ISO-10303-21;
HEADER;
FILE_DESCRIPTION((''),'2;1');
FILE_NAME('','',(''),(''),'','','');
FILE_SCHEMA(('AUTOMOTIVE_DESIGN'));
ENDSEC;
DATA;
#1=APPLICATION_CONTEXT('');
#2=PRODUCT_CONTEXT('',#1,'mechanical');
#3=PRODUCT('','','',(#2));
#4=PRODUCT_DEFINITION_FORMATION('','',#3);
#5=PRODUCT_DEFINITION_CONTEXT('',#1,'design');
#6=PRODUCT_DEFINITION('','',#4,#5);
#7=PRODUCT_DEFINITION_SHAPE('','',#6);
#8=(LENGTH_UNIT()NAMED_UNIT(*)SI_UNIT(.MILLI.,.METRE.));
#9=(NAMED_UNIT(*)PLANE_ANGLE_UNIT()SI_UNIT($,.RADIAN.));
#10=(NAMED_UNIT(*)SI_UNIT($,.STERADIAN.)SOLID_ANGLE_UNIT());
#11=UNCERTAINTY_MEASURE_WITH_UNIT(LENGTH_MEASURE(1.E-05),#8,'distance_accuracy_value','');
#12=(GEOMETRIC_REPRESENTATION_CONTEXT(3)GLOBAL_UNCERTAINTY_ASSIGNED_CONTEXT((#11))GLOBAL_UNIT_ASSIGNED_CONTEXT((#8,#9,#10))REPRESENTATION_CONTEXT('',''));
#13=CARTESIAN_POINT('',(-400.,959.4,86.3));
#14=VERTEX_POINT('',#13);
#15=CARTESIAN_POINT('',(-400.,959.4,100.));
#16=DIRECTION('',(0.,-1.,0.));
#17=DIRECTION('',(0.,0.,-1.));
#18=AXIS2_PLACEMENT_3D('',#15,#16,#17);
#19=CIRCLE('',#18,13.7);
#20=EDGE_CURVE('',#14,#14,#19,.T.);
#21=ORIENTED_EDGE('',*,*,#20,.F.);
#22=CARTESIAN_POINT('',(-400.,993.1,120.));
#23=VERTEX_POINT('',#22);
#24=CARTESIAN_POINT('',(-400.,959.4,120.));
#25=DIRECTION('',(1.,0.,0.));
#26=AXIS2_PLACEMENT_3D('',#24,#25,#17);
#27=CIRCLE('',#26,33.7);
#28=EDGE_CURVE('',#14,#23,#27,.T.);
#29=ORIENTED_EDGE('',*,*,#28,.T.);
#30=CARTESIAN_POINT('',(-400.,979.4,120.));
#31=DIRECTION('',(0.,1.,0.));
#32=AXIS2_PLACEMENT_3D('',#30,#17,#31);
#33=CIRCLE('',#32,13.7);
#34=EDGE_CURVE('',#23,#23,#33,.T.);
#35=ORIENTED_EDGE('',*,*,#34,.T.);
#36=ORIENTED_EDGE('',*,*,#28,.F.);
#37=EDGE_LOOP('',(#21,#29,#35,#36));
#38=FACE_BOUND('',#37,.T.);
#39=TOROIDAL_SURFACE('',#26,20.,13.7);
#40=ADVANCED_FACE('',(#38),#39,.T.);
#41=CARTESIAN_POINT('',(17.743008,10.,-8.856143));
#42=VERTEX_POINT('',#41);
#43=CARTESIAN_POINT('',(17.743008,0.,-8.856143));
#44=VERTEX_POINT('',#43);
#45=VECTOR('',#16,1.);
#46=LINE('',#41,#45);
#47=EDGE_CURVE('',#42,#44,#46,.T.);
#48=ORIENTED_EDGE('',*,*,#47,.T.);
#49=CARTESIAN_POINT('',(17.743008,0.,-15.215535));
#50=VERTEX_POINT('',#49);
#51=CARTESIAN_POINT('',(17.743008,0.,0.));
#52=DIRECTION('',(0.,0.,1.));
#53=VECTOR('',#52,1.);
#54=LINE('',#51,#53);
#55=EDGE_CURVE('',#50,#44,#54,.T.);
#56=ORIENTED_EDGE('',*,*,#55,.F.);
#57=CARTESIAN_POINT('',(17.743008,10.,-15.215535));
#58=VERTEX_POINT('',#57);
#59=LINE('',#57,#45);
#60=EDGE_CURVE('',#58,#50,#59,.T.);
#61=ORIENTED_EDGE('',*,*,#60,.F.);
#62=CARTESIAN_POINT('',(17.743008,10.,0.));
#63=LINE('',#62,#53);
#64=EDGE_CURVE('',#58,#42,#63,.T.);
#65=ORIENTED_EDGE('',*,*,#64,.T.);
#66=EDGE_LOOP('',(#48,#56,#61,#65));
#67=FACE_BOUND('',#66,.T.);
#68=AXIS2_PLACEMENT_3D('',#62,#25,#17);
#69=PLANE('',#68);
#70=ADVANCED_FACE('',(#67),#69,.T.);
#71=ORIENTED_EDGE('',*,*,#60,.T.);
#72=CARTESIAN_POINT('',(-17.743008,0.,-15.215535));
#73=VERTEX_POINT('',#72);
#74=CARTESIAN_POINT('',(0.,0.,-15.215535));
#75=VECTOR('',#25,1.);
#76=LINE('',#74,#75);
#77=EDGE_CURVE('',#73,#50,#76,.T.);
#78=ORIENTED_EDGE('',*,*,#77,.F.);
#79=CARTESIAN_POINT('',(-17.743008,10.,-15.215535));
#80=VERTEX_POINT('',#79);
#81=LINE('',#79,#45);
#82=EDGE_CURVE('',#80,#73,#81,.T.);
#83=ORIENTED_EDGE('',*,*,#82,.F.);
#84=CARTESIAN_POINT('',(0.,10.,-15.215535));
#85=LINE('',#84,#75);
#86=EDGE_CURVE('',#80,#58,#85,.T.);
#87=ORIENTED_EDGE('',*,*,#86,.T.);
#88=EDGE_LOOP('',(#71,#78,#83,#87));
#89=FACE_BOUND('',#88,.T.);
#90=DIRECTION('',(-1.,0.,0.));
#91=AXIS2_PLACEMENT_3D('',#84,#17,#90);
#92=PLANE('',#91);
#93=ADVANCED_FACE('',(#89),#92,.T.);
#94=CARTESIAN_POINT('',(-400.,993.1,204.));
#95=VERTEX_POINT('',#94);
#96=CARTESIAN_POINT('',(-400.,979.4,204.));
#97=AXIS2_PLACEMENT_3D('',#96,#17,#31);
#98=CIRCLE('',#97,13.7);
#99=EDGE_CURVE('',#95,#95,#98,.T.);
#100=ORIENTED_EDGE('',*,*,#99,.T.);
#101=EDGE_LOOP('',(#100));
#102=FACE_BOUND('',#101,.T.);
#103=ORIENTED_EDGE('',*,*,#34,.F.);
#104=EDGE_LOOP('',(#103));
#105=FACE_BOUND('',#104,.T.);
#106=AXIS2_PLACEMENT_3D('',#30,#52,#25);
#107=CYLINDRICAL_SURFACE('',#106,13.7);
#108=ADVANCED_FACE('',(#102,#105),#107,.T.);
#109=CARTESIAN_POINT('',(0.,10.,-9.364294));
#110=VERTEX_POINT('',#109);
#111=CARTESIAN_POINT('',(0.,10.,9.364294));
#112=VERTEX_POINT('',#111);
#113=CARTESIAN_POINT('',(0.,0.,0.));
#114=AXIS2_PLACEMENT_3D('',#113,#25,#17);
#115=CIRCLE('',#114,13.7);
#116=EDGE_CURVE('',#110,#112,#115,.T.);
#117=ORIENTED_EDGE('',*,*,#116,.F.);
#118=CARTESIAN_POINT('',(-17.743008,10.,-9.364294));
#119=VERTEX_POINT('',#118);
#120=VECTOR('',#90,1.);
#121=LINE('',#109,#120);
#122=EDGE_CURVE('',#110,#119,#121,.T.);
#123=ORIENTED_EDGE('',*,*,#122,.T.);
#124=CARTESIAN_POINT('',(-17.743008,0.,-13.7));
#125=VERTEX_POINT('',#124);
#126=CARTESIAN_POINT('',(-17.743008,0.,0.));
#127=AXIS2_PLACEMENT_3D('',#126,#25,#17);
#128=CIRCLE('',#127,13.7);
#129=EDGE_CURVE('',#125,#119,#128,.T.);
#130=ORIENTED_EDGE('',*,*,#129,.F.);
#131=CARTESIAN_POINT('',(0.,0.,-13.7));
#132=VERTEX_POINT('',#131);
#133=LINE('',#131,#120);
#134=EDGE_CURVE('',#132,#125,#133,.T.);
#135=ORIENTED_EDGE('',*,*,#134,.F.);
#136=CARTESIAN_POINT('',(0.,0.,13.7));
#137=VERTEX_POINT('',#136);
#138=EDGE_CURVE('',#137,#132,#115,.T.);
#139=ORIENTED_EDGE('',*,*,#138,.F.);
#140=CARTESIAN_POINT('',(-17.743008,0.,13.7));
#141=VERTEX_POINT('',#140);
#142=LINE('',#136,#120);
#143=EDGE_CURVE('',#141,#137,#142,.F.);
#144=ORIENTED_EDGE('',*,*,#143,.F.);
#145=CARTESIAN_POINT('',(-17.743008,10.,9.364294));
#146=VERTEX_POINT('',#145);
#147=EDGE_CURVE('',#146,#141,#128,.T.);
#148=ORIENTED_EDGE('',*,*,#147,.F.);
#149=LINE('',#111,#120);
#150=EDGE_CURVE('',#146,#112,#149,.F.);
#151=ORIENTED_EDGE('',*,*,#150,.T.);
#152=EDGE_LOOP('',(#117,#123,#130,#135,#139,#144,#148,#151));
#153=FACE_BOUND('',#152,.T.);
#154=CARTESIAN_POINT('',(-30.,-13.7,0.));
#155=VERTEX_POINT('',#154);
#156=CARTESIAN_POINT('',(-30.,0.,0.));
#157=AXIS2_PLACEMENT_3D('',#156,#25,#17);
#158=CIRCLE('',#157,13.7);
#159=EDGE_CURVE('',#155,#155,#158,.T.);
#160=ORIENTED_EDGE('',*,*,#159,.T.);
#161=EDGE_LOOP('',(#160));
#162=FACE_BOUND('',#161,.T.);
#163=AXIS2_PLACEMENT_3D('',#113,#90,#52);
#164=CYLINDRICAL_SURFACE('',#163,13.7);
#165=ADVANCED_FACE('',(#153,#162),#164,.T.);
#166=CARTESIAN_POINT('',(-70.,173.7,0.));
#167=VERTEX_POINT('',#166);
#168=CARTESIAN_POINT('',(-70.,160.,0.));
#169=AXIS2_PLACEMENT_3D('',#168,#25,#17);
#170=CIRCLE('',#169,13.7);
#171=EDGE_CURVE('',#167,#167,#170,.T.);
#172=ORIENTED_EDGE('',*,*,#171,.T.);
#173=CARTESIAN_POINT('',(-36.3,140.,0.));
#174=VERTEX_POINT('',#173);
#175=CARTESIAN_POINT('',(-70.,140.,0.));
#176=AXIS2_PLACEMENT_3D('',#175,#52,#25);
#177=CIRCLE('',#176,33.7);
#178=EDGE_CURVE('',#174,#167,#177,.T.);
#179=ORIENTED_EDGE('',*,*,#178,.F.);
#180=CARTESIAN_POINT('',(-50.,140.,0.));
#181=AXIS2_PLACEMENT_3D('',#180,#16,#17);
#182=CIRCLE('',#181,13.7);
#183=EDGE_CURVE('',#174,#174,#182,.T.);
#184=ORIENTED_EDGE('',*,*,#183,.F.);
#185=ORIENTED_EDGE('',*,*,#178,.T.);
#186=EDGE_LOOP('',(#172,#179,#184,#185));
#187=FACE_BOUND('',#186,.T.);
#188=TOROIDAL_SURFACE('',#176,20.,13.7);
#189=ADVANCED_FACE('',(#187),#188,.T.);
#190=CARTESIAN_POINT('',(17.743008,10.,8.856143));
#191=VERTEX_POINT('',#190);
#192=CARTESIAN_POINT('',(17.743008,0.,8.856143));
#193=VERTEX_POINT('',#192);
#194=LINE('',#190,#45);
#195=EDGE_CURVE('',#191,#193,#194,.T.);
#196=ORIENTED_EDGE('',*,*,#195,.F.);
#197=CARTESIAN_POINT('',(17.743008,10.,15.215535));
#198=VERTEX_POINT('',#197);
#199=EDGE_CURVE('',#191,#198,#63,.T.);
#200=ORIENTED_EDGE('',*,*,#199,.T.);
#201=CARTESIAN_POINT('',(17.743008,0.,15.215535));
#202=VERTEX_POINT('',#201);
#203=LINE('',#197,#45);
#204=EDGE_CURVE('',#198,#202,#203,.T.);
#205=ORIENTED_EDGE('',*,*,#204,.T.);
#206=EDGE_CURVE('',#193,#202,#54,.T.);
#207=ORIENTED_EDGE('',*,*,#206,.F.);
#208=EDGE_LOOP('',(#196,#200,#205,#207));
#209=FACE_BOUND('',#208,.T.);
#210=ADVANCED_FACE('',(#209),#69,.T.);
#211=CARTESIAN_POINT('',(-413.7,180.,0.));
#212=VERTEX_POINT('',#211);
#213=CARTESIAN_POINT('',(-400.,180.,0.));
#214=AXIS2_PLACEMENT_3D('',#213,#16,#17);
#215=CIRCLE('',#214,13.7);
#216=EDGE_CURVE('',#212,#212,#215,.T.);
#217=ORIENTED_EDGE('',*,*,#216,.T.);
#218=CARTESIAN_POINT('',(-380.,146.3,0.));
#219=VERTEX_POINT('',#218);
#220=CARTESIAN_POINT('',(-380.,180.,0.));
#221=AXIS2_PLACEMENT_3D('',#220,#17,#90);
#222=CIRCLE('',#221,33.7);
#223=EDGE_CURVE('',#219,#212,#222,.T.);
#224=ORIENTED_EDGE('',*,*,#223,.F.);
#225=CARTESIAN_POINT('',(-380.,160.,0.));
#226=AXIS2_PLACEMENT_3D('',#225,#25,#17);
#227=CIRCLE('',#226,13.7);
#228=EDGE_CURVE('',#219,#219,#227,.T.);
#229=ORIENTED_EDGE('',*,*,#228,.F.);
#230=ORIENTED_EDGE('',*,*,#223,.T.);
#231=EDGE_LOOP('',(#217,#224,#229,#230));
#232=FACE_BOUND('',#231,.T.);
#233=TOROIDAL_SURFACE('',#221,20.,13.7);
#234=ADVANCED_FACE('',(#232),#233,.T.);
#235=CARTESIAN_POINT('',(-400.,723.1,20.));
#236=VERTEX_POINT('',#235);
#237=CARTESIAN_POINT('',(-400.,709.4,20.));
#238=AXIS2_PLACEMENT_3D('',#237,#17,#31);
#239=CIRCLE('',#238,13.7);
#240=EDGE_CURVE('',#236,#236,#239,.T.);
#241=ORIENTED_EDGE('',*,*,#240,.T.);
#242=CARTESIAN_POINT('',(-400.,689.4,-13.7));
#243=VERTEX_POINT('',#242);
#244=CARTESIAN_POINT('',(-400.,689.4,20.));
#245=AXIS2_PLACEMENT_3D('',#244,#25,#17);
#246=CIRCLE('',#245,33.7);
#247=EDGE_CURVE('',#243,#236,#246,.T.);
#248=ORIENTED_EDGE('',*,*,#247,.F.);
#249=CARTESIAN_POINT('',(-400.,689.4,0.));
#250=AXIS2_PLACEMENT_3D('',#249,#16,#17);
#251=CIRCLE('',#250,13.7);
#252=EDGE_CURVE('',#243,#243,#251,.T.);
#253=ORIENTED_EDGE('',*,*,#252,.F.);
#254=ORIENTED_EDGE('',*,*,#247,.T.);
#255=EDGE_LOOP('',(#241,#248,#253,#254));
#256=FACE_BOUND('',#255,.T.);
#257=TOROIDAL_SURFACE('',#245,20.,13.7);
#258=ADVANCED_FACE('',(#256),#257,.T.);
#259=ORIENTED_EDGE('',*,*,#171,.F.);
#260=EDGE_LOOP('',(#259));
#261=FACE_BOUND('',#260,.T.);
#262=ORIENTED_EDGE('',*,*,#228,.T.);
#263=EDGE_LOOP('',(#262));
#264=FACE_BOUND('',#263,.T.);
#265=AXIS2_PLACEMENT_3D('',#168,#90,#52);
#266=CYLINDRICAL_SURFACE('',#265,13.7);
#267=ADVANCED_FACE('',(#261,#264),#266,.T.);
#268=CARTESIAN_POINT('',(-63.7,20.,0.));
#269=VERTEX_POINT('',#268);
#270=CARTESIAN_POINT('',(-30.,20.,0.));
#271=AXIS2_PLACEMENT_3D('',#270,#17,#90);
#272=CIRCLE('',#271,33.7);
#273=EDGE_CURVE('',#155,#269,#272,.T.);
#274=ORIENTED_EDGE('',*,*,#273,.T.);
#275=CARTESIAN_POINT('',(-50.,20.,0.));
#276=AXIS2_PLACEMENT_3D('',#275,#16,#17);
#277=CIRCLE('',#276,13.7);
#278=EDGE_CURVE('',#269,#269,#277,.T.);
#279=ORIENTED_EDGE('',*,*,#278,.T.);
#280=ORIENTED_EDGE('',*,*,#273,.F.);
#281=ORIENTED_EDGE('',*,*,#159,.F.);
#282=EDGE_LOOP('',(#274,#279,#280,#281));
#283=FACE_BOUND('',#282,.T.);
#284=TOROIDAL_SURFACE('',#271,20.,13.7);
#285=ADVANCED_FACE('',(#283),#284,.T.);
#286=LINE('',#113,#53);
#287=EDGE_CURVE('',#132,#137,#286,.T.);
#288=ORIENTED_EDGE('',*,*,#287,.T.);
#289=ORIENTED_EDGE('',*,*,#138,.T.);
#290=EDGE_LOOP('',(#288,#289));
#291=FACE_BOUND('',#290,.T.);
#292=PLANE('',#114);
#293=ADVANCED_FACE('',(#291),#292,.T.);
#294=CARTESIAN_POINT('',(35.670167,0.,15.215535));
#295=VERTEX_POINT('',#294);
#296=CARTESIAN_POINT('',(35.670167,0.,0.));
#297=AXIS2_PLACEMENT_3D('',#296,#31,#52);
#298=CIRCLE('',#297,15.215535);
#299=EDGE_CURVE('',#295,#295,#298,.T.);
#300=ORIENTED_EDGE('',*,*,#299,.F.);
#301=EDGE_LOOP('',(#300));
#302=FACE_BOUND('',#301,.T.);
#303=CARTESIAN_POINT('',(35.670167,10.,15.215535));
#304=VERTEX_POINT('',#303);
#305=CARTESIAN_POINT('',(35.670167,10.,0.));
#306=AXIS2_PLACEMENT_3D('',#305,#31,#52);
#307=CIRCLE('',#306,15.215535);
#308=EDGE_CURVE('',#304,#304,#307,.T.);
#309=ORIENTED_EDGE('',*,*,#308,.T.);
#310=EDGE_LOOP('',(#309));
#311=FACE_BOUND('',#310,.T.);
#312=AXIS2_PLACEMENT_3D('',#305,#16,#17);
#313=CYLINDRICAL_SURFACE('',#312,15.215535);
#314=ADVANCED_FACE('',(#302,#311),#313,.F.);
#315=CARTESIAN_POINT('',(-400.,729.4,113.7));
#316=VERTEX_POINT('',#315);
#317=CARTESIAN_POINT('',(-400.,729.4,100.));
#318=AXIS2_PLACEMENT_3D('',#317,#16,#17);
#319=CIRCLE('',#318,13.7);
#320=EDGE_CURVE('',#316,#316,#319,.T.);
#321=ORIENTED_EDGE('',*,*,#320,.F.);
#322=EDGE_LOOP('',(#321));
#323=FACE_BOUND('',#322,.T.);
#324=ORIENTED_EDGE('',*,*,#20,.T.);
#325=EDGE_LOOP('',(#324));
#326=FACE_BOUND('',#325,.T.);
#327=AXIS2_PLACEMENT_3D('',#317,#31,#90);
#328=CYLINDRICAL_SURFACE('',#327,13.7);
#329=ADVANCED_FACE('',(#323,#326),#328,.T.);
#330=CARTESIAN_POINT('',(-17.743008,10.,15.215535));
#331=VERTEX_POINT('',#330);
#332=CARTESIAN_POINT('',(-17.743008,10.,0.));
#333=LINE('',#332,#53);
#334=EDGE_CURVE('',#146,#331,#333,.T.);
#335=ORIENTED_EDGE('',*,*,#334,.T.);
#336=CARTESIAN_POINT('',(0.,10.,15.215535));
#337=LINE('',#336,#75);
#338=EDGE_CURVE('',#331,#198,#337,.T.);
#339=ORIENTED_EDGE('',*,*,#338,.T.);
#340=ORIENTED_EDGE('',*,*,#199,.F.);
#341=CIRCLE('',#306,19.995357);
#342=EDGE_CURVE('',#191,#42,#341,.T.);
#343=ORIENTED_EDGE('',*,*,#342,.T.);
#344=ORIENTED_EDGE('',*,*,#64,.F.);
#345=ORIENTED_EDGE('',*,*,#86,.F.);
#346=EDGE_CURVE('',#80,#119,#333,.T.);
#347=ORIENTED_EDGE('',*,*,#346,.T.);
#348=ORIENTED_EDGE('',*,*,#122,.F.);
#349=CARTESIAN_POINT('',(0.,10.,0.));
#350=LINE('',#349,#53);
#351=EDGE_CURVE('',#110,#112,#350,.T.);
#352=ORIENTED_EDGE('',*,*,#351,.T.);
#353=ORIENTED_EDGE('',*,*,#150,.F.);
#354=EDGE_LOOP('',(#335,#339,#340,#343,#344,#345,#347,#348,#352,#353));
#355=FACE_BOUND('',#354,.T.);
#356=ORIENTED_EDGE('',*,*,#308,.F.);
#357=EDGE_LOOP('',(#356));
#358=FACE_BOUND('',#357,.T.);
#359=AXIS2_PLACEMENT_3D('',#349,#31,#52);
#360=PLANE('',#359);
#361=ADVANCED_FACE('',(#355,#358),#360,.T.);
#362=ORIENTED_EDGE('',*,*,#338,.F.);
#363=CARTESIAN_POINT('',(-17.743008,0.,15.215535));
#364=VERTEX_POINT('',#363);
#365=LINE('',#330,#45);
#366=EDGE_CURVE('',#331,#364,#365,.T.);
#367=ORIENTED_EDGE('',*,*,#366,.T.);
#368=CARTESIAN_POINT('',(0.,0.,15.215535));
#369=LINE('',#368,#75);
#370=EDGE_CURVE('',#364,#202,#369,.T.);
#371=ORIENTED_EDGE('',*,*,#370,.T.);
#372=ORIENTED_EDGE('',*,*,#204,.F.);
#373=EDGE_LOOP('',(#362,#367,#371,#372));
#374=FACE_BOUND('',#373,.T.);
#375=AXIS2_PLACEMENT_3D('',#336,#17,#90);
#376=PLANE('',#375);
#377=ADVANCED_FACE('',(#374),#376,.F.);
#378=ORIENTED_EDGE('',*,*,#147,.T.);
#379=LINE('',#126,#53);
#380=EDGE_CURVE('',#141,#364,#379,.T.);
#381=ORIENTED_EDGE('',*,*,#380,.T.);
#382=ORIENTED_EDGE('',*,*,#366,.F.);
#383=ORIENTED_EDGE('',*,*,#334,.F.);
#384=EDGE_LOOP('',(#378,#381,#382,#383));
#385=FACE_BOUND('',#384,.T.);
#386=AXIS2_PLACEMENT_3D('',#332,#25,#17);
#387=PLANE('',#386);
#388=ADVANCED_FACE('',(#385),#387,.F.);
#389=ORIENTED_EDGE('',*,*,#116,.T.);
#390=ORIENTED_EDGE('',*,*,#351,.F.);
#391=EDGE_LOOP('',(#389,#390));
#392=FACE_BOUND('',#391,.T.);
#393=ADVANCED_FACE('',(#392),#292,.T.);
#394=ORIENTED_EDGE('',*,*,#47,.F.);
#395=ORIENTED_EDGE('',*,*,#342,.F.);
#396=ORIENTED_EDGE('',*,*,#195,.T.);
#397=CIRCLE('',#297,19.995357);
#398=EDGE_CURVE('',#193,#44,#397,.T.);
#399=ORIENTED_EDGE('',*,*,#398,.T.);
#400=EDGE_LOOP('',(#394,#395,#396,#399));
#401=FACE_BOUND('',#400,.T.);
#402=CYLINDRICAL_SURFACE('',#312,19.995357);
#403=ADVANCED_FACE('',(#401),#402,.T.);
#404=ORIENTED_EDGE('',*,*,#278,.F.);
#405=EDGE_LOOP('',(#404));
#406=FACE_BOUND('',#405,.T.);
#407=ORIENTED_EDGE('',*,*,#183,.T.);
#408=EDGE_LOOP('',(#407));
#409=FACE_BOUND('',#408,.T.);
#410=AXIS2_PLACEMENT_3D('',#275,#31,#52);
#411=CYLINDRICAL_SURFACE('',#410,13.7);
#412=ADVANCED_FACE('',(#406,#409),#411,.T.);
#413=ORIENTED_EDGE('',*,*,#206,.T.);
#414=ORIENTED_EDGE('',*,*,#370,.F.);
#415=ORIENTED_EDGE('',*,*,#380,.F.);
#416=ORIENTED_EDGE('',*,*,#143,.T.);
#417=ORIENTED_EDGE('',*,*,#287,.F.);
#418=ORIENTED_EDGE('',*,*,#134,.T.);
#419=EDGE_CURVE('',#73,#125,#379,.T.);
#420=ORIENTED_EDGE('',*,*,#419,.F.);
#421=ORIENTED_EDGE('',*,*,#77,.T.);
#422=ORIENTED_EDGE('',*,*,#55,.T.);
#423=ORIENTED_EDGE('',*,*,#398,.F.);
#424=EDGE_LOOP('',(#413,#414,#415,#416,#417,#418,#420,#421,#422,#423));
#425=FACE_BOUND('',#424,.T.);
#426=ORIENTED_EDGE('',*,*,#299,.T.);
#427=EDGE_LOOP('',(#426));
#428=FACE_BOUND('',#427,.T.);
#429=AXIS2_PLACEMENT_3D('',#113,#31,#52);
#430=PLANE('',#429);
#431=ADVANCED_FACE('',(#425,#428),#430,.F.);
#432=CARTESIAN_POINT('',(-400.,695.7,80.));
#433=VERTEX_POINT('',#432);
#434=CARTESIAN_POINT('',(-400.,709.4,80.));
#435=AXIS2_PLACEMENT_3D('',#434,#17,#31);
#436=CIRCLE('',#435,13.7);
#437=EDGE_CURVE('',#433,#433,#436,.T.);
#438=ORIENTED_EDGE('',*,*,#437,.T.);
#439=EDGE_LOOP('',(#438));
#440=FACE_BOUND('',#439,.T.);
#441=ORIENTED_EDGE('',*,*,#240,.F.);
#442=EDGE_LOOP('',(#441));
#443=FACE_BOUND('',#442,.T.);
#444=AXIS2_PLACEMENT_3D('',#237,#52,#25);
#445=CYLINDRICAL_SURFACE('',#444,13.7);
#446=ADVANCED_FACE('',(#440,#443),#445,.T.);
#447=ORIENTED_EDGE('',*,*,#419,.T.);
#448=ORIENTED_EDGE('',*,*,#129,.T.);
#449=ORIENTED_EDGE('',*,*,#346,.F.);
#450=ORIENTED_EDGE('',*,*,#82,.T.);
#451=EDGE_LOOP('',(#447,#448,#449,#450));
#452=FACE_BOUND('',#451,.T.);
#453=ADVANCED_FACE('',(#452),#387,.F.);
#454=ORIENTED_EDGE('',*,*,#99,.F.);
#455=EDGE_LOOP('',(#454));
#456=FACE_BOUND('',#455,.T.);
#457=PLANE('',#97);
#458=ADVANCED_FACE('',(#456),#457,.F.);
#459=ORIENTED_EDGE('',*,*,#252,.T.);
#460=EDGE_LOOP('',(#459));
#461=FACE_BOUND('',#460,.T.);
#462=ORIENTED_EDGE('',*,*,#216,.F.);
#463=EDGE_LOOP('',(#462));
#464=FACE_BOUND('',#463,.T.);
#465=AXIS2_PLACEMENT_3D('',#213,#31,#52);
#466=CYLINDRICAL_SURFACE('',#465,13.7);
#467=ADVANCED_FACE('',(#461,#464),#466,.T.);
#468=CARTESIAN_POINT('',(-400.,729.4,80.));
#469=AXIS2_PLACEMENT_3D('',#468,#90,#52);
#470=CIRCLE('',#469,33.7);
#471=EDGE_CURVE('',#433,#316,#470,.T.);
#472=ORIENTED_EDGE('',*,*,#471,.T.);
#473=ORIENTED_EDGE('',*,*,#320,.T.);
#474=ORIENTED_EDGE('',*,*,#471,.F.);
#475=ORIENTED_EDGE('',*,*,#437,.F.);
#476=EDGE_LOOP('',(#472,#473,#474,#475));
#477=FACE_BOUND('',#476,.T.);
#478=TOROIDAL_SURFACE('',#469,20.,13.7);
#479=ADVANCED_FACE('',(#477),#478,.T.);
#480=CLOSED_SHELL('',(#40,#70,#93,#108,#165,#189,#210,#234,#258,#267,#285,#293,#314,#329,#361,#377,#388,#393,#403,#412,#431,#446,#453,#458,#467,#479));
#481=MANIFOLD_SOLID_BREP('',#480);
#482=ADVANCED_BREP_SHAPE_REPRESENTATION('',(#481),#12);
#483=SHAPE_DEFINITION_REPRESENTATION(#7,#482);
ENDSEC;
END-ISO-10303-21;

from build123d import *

# Parameters (mm, degrees)
CROQUIS1_R              = 13.7
CROQUIS2_R              = 19.995357147
CROQUIS2_R_2            = 15.215534834
SALIENTE_EXTRUIR1_DEPTH = 10


with BuildPart() as part:
    # Barrer1: sweep along a curve in space
    with BuildLine() as barrer1_path:
        Line((0, 0, 0), (-30, 0, 0))
        ThreePointArc((-30, 0, 0), (-44.142135624, 5.857864376, 0), (-50, 20, 0))
        Line((-50, 20, 0), (-50, 140, 0))
        ThreePointArc((-50, 140, 0), (-55.857864376, 154.142135624, 0), (-70, 160, 0))
        Line((-70, 160, 0), (-380, 160, 0))
        ThreePointArc((-380, 160, 0), (-394.142135624, 165.857864376, 0), (-400, 180, 0))
        Line((-400, 180, 0), (-400, 689.4, 0))
        ThreePointArc((-400, 689.4, 0), (-400, 703.542135624, 5.857864376), (-400, 709.4, 20))
        Line((-400, 709.4, 20), (-400, 709.4, 80))
        ThreePointArc((-400, 709.4, 80), (-400, 715.257864376, 94.142135624), (-400, 729.4, 100))
        Line((-400, 729.4, 100), (-400, 959.4, 100))
        ThreePointArc((-400, 959.4, 100), (-400, 973.542135624, 105.857864376), (-400, 979.4, 120))
        Line((-400, 979.4, 120), (-400, 979.4, 204))
    # Croquis1 → Barrer1 (sweep)
    with BuildSketch(Plane(origin=(0, 0, 0), x_dir=(0, 0, -1), z_dir=(1, 0, 0))):
        Circle(CROQUIS1_R)
    sweep(path=barrer1_path.line)

    # Croquis2 → Saliente-Extruir1 (add)
    with BuildSketch(Plane(origin=(0, 0, 0), x_dir=(1, 0, 0), z_dir=(0, 1, 0))):
        with BuildLine():
            Line((17.743007843, -15.215534834), (17.743007843, -8.856143388))
            ThreePointArc((17.743007843, -8.856143388), (15.67480975, 0), (17.743007843, 8.856143388))
            Line((17.743007843, 8.856143388), (17.743007843, 15.215534834))
            Line((17.743007843, 15.215534834), (-17.743007843, 15.215534834))
            Line((-17.743007843, 15.215534834), (-17.743007843, -15.215534834))
            Line((-17.743007843, -15.215534834), (17.743007843, -15.215534834))
        make_face()
        with Locations((35.670166897, 0)):
            Circle(CROQUIS2_R)
        with Locations((35.670166897, 0)):
            Circle(CROQUIS2_R_2, mode=Mode.SUBTRACT)
    extrude(amount=SALIENTE_EXTRUIR1_DEPTH)


solid = part.part
